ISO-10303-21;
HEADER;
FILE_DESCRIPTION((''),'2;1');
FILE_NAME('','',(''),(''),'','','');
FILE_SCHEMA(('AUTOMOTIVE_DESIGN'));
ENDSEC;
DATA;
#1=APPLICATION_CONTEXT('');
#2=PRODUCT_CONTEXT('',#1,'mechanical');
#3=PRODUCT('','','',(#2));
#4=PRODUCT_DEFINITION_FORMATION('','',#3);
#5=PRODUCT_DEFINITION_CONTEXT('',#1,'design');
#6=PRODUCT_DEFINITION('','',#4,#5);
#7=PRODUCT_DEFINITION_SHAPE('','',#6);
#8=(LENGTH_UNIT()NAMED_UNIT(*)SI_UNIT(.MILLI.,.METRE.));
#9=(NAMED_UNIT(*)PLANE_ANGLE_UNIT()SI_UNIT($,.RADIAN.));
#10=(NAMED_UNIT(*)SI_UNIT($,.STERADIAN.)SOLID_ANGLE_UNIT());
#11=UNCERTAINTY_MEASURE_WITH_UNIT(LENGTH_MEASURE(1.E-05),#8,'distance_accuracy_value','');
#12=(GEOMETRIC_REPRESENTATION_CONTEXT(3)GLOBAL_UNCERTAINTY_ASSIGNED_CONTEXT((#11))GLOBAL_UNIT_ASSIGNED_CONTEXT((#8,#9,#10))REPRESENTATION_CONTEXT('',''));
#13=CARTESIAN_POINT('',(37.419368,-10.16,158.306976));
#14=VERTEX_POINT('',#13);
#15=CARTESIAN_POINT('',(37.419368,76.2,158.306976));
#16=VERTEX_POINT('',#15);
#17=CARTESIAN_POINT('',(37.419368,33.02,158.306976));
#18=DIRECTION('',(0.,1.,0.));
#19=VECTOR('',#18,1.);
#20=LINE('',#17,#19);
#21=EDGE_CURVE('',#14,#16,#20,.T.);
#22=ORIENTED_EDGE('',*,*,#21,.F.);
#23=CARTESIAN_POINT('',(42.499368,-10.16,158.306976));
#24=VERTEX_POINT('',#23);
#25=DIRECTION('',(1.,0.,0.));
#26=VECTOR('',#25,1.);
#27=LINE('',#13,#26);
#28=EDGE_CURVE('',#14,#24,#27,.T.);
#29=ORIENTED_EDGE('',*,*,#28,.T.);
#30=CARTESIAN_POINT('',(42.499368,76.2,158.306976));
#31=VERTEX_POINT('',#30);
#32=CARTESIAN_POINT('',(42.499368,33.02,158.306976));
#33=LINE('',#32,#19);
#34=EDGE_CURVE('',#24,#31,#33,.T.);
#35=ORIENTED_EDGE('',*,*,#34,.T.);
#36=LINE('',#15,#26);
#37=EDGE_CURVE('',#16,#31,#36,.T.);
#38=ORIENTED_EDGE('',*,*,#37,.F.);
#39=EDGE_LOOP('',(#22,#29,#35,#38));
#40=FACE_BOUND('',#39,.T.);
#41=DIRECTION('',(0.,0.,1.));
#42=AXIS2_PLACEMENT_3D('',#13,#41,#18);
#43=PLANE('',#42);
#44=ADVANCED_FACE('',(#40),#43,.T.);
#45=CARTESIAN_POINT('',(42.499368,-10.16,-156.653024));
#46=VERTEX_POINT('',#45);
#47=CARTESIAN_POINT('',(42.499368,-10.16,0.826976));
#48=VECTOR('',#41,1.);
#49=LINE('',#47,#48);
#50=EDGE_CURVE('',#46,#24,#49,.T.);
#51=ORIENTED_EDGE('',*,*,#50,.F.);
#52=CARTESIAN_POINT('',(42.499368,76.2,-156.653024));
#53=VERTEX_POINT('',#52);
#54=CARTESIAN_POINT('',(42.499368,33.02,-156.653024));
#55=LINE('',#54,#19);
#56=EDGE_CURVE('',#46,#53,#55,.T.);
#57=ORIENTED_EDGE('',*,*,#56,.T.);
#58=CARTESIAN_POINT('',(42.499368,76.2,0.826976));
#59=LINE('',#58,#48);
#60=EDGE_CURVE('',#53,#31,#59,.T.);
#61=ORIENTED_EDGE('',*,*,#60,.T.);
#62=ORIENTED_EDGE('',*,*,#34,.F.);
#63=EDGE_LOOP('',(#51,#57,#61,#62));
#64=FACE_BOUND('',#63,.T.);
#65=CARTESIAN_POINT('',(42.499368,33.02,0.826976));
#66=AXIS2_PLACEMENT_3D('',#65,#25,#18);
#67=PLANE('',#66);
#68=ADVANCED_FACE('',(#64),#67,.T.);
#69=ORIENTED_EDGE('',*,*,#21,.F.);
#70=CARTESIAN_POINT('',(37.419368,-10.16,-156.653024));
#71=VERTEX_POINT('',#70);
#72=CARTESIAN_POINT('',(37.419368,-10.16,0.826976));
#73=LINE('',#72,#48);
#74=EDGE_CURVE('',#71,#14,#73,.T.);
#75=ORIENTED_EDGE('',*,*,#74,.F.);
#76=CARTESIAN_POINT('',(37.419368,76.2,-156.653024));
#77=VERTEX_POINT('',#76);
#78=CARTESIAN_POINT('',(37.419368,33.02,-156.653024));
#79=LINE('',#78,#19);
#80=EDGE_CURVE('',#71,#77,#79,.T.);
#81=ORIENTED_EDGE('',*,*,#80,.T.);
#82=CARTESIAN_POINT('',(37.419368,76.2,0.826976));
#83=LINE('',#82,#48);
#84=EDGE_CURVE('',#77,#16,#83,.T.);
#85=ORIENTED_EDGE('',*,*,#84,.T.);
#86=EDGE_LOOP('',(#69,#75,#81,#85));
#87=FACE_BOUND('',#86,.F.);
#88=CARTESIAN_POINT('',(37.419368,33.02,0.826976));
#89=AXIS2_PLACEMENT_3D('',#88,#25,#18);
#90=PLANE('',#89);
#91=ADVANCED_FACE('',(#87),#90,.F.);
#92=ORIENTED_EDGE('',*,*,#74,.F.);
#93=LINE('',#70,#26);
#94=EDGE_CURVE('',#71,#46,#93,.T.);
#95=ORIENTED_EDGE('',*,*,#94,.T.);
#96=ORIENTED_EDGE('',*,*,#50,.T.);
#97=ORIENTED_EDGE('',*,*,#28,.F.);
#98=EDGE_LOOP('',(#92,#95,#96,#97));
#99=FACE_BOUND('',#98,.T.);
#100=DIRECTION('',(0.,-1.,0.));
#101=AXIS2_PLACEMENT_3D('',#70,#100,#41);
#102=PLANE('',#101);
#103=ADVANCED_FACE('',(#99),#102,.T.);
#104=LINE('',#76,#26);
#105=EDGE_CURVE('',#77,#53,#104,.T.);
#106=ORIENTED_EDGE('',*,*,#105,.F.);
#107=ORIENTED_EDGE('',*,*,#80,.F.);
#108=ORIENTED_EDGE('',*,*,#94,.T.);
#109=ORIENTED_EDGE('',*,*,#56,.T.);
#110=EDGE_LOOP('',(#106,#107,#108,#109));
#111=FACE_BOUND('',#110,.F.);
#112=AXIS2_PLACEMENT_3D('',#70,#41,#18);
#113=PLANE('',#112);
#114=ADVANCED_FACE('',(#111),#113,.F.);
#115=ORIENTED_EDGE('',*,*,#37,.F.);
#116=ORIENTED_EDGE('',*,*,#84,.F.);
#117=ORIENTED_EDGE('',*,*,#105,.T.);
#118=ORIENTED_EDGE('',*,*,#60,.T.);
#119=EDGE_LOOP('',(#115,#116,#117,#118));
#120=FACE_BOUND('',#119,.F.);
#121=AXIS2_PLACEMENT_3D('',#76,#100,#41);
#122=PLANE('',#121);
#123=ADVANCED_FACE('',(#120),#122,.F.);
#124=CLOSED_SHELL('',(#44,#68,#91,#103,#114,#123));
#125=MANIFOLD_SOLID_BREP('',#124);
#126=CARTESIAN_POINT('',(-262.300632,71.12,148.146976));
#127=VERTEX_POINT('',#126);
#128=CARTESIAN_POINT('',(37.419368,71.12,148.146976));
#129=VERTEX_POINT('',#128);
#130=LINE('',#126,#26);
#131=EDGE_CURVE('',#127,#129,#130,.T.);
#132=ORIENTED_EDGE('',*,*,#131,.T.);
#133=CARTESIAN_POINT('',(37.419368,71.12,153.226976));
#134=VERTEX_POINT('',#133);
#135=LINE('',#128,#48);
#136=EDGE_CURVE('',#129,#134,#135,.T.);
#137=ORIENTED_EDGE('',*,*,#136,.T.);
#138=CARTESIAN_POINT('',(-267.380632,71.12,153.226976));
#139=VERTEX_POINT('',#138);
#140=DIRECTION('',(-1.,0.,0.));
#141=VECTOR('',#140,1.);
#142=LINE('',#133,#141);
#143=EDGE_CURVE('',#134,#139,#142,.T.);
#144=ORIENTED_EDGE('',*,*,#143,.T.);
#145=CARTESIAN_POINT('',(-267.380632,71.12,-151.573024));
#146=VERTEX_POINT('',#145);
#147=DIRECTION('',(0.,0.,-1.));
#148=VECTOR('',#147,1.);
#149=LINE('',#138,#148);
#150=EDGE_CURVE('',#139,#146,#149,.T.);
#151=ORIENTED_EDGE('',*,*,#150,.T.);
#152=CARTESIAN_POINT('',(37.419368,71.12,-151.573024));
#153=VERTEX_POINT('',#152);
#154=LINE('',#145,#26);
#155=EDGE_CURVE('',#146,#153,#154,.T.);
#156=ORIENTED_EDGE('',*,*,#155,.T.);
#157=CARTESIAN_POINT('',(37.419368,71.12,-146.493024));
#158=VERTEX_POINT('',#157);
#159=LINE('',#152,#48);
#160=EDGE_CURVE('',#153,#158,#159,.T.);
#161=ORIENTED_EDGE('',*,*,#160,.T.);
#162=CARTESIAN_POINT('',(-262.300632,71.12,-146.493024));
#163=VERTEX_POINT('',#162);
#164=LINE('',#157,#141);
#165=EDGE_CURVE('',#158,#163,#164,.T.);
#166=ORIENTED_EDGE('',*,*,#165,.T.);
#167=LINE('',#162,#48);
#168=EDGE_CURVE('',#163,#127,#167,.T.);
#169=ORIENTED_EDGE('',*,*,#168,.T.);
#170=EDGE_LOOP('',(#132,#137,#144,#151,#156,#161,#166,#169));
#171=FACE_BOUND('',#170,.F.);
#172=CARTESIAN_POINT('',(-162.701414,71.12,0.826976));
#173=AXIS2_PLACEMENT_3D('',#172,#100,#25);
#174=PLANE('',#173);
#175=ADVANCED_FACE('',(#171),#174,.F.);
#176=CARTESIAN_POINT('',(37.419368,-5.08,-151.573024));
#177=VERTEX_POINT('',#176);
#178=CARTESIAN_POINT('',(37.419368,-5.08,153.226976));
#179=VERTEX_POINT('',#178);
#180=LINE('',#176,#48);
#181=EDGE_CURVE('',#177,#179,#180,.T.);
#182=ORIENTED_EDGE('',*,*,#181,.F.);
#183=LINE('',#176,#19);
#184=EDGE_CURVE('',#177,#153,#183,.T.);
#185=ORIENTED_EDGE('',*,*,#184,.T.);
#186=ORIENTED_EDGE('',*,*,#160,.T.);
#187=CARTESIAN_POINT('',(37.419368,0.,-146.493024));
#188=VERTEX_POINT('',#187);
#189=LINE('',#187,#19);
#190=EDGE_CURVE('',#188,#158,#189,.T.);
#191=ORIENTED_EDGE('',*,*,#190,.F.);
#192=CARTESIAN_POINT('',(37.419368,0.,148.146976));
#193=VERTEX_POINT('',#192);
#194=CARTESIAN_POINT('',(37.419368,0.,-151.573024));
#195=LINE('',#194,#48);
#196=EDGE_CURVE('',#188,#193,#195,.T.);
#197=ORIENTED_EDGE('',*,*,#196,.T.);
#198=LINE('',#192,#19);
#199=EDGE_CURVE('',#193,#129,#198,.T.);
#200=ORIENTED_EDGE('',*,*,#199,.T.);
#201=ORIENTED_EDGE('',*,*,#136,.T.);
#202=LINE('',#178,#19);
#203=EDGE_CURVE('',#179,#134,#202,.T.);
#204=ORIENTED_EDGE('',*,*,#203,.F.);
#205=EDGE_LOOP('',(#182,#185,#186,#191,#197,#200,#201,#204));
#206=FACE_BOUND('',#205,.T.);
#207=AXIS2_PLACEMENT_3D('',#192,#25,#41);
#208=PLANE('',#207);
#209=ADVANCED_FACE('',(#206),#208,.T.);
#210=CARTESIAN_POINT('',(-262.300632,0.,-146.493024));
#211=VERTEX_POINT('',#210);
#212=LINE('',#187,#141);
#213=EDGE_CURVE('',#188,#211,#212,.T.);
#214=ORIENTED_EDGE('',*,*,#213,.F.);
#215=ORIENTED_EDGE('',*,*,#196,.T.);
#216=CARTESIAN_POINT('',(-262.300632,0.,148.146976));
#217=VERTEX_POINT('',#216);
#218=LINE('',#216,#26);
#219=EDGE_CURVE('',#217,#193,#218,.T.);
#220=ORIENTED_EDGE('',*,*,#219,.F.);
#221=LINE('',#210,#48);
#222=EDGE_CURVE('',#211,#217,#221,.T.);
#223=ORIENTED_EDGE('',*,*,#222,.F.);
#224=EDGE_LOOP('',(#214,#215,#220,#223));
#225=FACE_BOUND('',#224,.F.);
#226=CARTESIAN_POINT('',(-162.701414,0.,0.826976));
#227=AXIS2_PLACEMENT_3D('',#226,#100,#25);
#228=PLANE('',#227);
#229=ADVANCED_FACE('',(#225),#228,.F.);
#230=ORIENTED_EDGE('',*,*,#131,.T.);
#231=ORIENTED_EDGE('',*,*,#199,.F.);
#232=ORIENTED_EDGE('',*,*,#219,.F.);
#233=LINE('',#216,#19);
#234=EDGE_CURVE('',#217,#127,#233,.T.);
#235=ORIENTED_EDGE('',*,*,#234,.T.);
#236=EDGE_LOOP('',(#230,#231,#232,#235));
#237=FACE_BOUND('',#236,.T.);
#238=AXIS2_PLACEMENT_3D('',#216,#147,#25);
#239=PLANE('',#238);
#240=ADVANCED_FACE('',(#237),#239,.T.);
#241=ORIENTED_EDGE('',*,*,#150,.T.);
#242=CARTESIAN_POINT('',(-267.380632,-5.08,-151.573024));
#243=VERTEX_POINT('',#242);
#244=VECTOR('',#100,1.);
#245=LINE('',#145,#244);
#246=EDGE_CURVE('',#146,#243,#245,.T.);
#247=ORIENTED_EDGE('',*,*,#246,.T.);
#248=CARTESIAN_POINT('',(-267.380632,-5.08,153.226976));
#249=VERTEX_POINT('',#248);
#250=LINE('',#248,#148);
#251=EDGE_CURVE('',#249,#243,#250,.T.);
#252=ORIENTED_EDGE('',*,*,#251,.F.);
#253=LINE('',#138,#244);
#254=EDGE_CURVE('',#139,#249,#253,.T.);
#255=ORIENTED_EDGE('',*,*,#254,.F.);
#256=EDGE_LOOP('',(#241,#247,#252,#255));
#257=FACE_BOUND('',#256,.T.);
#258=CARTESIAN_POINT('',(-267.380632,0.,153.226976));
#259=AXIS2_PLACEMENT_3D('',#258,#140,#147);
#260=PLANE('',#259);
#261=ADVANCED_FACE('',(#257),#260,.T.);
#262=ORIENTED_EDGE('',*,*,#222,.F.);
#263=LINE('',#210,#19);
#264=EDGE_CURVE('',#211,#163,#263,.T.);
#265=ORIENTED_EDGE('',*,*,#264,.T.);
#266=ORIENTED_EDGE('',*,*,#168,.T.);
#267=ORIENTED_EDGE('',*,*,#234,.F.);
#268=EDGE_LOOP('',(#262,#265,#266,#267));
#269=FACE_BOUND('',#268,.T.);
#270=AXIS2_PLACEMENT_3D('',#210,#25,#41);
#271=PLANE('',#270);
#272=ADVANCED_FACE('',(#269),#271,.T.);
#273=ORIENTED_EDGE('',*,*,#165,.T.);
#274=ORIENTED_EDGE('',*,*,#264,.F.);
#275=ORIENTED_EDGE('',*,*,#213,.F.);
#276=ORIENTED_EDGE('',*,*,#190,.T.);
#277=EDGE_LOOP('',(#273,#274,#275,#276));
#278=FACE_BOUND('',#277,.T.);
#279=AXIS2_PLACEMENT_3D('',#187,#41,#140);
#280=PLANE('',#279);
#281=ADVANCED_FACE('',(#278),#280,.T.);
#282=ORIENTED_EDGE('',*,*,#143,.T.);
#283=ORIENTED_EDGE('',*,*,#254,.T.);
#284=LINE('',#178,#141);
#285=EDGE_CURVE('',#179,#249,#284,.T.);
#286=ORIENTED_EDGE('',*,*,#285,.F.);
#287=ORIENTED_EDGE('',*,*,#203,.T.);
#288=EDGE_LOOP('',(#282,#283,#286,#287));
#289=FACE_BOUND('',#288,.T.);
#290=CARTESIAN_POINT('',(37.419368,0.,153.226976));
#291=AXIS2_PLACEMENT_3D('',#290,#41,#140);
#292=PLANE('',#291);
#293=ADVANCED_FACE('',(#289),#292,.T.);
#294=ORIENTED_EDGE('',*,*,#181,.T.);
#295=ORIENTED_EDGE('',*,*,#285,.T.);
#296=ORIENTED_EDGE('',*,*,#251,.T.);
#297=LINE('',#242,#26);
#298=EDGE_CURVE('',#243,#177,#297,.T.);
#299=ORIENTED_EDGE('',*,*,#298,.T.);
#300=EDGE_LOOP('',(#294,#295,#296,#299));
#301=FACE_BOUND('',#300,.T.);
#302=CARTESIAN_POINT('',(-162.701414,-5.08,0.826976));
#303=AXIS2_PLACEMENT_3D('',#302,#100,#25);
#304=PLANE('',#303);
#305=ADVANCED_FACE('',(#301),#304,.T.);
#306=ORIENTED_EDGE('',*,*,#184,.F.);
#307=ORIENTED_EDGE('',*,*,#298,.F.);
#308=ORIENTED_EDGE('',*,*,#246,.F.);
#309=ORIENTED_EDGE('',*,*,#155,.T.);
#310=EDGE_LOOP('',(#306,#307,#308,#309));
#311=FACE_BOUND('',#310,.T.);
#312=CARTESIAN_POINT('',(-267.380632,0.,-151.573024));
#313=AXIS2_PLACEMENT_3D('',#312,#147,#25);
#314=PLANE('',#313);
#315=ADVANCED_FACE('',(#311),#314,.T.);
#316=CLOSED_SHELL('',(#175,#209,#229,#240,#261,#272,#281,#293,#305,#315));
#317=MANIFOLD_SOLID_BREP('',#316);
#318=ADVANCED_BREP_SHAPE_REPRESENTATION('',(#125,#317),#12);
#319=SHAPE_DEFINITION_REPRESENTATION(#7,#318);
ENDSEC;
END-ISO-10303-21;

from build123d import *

# Parameters (mm, degrees)
F0_W     = 299.72
F0_H     = 294.64
F1_DEPTH = 5.08
F2_DEPTH = 71.12
F3_W     = 86.36
F3_H     = 314.96
F4_DEPTH = 5.08


with BuildPart() as f1:
    # F0 (on Front) → F1 (new body)
    with BuildSketch(Plane.XZ):
        Polygon((37.4193681992, 153.226976262), (-267.3806318008, 153.226976262), (-267.3806318008, -151.573023738), (37.4193681992, -151.573023738), (37.4193681992, -146.493023738), (-262.3006318008, -146.493023738), (-262.3006318008, 148.146976262), (37.4193681992, 148.146976262), align=None)
        with Locations((-112.4406318008, 0.826976262)):
            Rectangle(F0_W, F0_H)
    extrude(amount=F1_DEPTH)

    # F0 (on Front) → F2 (join)
    with BuildSketch(Plane.XZ):
        Polygon((37.4193681992, 153.226976262), (-267.3806318008, 153.226976262), (-267.3806318008, -151.573023738), (37.4193681992, -151.573023738), (37.4193681992, -146.493023738), (-262.3006318008, -146.493023738), (-262.3006318008, 148.146976262), (37.4193681992, 148.146976262), align=None)
    extrude(amount=-F2_DEPTH)


with BuildPart() as f4:
    # F3 (on face) → F4 (new body)
    with BuildSketch(Plane.YZ.offset(37.4193681992)):
        with Locations((33.02, 0.826976262)):
            Rectangle(F3_W, F3_H)
        Polygon((71.12, -151.573023738), (-5.08, -151.573023738), (-5.08, 153.226976262), (71.12, 153.226976262), (71.12, 148.146976262), (0, 148.146976262), (0, -146.493023738), (71.12, -146.493023738), align=None, mode=Mode.SUBTRACT)
        Polygon((-5.08, 153.226976262), (-5.08, -151.573023738), (71.12, -151.573023738), (71.12, -146.493023738), (0, -146.493023738), (0, 148.146976262), (71.12, 148.146976262), (71.12, 153.226976262), align=None)
    extrude(amount=F4_DEPTH)


solid = Compound([f1.part, f4.part])
